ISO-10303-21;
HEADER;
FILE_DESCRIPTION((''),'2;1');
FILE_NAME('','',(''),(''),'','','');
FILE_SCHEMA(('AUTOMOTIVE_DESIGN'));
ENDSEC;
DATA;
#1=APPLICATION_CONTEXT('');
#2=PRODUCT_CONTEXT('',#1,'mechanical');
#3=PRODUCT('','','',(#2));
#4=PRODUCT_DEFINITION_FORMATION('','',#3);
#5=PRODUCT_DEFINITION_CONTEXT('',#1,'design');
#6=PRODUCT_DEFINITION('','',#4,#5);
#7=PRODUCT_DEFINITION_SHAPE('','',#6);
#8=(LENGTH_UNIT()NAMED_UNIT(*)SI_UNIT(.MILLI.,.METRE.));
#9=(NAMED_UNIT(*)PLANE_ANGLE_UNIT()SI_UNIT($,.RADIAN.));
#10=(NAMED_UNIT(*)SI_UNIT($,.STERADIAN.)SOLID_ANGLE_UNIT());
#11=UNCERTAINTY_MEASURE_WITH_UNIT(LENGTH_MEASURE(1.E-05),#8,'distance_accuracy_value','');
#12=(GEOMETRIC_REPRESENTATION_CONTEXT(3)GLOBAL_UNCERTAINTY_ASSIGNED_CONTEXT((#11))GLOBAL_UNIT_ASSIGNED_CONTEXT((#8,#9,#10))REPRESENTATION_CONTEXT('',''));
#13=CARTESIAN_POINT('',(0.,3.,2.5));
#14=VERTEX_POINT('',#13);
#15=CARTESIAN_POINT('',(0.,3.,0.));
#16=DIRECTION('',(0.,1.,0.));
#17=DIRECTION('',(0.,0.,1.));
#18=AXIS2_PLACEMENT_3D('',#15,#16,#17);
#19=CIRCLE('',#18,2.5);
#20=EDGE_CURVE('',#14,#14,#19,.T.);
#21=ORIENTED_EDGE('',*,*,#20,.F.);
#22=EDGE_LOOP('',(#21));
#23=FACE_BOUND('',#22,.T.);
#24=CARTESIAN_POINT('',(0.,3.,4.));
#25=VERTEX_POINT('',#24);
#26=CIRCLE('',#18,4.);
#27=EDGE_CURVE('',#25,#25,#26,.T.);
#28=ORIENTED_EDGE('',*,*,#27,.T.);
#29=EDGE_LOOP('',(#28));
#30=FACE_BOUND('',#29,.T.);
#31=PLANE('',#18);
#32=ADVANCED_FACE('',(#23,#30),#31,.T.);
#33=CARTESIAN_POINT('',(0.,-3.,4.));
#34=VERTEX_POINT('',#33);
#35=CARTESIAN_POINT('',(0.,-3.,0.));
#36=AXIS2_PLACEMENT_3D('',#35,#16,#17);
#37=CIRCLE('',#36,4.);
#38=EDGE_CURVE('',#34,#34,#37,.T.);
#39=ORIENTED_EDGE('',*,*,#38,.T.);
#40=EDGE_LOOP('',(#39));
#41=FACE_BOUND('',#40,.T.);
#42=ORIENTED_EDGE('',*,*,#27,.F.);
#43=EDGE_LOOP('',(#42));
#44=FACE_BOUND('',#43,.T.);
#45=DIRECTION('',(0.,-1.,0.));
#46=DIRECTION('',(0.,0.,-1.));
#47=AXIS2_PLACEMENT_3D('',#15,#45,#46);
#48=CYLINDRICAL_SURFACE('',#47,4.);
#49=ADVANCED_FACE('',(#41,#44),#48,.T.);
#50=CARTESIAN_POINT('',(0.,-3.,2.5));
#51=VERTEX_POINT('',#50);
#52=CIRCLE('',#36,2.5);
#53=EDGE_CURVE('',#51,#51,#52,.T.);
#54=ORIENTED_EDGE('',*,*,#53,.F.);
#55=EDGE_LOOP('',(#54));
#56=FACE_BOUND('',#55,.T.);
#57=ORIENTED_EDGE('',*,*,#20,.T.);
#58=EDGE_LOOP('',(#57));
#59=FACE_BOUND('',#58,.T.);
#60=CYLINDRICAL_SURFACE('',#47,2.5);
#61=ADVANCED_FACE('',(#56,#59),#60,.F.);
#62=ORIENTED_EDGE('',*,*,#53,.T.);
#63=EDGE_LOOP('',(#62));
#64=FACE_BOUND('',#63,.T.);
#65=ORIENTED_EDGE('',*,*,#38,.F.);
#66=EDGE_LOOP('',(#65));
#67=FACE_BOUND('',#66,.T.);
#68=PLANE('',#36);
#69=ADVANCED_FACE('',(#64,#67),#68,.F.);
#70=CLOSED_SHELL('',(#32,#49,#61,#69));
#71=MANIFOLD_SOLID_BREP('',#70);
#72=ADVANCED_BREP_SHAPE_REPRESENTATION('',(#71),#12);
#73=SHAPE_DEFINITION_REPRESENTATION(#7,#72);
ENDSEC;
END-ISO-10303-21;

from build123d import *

# Parameters (mm, degrees)
SKETCH_1_R      = 4
SKETCH_1_R_2    = 2.5
EXTRUDE_1_DEPTH = 3


with BuildPart() as part:
    # 草图1 → 凸台-拉伸1 (new, symmetric)
    with BuildSketch(Plane(origin=(0, 0, 0), x_dir=(1, 0, 0), z_dir=(0, 1, 0))):
        with Locations(Location((0, 0, 0), (0, 0, 270))):
            Circle(SKETCH_1_R)
        with Locations(Location((0, 0, 0), (0, 0, 270))):
            Circle(SKETCH_1_R_2, mode=Mode.SUBTRACT)
    extrude(amount=EXTRUDE_1_DEPTH, both=True)


solid = part.part
